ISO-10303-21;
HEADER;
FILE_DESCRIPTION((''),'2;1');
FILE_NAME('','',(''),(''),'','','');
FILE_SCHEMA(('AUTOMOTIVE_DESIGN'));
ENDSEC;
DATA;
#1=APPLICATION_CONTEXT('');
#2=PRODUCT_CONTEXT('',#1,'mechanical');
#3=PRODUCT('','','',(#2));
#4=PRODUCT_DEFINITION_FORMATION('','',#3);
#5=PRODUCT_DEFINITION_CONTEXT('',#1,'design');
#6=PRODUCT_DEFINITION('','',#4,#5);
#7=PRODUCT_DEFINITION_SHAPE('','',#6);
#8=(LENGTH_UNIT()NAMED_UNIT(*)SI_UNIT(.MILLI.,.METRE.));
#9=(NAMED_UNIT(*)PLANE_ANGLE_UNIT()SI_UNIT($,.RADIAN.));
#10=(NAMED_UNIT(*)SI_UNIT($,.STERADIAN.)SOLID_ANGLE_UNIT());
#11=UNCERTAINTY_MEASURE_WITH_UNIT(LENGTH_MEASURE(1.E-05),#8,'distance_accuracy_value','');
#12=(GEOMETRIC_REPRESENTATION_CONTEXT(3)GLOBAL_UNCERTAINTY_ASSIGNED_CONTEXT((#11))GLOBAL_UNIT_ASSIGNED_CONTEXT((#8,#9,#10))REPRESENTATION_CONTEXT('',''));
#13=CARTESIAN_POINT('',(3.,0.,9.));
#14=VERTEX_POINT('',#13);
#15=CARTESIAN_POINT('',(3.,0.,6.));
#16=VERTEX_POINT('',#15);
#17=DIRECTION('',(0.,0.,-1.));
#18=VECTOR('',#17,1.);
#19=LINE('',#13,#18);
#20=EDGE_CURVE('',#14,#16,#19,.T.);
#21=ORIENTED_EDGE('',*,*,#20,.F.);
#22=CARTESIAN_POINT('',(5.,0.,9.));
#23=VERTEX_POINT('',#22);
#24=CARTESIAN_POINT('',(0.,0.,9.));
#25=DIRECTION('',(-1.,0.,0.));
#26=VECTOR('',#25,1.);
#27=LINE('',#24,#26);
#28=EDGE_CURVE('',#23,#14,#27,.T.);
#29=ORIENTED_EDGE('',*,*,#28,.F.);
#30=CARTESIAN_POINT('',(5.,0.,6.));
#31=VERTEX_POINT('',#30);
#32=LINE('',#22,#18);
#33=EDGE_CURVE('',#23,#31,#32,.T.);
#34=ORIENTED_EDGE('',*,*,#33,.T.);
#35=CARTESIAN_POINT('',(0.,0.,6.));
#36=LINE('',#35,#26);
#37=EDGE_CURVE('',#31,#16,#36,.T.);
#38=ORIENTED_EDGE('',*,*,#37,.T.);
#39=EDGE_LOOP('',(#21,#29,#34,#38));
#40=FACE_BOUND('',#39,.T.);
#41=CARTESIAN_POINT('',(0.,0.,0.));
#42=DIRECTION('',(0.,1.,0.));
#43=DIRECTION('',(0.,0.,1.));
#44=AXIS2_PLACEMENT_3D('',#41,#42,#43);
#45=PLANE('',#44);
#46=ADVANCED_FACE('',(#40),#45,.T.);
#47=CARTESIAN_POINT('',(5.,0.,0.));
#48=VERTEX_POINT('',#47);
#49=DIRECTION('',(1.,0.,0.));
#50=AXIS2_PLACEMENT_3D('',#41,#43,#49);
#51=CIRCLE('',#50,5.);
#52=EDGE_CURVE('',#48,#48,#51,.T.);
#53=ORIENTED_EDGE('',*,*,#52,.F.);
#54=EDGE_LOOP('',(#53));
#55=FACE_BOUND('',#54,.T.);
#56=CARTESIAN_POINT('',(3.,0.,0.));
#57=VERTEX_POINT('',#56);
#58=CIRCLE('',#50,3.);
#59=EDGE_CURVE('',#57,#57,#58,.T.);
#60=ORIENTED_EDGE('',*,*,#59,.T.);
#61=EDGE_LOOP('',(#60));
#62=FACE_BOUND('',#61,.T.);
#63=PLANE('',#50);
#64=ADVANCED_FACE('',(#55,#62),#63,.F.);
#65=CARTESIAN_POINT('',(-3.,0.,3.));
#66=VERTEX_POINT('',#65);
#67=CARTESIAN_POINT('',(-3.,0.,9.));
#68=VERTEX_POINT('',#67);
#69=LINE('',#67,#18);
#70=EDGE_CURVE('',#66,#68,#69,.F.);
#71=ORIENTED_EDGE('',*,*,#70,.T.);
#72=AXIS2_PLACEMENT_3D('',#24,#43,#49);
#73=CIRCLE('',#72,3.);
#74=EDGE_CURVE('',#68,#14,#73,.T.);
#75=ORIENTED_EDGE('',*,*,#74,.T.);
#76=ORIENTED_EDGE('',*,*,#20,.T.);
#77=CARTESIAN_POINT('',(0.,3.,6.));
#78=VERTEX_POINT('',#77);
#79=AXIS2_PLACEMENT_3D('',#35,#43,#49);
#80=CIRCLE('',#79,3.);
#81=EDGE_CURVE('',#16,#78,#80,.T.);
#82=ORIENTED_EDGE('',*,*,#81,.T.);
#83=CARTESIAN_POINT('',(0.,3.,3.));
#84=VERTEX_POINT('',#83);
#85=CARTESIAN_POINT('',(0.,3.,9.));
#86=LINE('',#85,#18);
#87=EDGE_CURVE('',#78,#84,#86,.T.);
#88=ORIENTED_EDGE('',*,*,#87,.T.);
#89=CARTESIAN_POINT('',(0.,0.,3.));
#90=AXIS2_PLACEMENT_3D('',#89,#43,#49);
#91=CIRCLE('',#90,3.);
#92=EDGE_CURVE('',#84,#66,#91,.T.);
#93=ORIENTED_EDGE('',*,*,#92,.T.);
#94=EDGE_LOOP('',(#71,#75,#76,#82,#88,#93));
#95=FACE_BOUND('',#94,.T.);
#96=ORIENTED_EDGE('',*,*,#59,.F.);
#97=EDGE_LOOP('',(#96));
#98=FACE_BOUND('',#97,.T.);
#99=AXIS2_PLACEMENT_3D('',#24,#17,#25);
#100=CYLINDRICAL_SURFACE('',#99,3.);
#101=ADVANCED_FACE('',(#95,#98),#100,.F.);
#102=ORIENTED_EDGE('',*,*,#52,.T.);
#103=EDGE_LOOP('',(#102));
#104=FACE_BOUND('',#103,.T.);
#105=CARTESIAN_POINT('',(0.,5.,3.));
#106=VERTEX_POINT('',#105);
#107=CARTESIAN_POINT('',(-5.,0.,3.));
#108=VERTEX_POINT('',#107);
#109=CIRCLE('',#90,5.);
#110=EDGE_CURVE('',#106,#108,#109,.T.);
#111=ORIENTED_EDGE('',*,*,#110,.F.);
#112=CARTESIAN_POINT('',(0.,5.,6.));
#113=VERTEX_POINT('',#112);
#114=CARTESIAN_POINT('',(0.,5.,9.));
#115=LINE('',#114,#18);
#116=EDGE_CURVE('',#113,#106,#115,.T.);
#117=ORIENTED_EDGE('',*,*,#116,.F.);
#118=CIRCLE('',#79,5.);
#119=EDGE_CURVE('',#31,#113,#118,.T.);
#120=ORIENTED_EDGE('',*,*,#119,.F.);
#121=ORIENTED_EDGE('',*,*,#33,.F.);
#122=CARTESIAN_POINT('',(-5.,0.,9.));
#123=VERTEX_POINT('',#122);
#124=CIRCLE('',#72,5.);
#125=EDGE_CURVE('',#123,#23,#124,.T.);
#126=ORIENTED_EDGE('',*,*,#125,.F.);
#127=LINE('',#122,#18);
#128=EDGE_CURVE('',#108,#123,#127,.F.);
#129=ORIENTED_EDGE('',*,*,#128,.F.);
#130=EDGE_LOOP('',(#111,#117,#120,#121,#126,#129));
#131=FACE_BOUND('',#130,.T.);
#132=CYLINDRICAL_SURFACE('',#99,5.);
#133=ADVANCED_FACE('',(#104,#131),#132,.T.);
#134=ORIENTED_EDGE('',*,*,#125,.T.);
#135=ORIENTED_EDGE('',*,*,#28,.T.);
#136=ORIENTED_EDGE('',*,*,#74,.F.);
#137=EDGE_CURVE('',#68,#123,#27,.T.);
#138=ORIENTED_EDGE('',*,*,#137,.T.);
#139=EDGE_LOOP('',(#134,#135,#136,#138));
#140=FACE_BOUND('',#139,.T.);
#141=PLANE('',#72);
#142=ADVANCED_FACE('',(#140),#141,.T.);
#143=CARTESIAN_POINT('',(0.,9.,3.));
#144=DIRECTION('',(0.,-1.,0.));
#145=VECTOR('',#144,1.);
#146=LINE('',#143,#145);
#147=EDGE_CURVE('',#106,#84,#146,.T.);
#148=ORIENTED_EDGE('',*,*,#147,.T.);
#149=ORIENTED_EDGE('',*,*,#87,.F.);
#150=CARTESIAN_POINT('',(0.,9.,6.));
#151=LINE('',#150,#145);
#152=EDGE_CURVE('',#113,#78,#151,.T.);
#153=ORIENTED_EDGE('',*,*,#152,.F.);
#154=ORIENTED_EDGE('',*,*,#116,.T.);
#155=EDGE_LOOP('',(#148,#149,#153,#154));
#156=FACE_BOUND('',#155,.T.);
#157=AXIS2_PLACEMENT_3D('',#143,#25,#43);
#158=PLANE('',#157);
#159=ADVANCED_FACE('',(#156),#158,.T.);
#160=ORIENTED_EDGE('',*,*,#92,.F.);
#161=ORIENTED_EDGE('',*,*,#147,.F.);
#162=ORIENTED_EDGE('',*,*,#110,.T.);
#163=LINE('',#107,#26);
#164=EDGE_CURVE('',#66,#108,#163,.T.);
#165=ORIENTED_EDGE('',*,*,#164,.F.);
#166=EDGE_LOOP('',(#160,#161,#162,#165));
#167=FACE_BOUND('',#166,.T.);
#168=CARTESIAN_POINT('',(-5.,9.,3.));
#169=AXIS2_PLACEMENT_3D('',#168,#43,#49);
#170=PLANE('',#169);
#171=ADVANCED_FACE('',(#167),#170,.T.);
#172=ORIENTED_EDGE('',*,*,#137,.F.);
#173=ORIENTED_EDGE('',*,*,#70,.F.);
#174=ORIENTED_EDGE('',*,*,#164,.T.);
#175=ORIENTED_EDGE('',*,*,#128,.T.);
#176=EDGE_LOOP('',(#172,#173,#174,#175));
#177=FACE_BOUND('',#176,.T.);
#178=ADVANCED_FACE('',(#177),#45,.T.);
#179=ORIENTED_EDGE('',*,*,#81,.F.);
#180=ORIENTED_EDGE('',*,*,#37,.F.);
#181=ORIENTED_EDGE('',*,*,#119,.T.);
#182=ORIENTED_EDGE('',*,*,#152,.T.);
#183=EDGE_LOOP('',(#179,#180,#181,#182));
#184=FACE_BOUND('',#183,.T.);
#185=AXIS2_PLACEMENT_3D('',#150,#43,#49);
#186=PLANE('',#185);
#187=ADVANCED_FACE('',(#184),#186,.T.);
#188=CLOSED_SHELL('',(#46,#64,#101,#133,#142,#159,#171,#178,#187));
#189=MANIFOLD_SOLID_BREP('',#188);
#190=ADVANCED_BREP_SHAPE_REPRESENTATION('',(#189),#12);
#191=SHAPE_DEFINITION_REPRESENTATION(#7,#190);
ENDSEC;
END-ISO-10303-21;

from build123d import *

# Parameters (mm, degrees)
SKETCH1_R           = 5
SKETCH1_R_2         = 3
BOSS_EXTRUDE1_DEPTH = 9
CUT_EXTRUDE1_DEPTH  = 9


with BuildPart() as part:
    # Sketch1 → Boss-Extrude1 (new body)
    with BuildSketch(Plane.XY):
        Circle(SKETCH1_R)
        Circle(SKETCH1_R_2, mode=Mode.SUBTRACT)
    extrude(amount=BOSS_EXTRUDE1_DEPTH)

    # Sketch2 → Cut-Extrude1 (cut)
    with BuildSketch(Plane(origin=(0, 0, 0), x_dir=(1, 0, 0), z_dir=(0, 1, 0))):
        Polygon((-5, -3), (0, -3), (0, -6), (3.187015058, -6), (6.391445499, -6), (6.391445499, -9.698491775), (-6.043137843, -9.698491775), (-6.043137843, -2.314369455), (-5, -2.436277134), align=None)
    extrude(amount=CUT_EXTRUDE1_DEPTH, mode=Mode.SUBTRACT)


solid = part.part
